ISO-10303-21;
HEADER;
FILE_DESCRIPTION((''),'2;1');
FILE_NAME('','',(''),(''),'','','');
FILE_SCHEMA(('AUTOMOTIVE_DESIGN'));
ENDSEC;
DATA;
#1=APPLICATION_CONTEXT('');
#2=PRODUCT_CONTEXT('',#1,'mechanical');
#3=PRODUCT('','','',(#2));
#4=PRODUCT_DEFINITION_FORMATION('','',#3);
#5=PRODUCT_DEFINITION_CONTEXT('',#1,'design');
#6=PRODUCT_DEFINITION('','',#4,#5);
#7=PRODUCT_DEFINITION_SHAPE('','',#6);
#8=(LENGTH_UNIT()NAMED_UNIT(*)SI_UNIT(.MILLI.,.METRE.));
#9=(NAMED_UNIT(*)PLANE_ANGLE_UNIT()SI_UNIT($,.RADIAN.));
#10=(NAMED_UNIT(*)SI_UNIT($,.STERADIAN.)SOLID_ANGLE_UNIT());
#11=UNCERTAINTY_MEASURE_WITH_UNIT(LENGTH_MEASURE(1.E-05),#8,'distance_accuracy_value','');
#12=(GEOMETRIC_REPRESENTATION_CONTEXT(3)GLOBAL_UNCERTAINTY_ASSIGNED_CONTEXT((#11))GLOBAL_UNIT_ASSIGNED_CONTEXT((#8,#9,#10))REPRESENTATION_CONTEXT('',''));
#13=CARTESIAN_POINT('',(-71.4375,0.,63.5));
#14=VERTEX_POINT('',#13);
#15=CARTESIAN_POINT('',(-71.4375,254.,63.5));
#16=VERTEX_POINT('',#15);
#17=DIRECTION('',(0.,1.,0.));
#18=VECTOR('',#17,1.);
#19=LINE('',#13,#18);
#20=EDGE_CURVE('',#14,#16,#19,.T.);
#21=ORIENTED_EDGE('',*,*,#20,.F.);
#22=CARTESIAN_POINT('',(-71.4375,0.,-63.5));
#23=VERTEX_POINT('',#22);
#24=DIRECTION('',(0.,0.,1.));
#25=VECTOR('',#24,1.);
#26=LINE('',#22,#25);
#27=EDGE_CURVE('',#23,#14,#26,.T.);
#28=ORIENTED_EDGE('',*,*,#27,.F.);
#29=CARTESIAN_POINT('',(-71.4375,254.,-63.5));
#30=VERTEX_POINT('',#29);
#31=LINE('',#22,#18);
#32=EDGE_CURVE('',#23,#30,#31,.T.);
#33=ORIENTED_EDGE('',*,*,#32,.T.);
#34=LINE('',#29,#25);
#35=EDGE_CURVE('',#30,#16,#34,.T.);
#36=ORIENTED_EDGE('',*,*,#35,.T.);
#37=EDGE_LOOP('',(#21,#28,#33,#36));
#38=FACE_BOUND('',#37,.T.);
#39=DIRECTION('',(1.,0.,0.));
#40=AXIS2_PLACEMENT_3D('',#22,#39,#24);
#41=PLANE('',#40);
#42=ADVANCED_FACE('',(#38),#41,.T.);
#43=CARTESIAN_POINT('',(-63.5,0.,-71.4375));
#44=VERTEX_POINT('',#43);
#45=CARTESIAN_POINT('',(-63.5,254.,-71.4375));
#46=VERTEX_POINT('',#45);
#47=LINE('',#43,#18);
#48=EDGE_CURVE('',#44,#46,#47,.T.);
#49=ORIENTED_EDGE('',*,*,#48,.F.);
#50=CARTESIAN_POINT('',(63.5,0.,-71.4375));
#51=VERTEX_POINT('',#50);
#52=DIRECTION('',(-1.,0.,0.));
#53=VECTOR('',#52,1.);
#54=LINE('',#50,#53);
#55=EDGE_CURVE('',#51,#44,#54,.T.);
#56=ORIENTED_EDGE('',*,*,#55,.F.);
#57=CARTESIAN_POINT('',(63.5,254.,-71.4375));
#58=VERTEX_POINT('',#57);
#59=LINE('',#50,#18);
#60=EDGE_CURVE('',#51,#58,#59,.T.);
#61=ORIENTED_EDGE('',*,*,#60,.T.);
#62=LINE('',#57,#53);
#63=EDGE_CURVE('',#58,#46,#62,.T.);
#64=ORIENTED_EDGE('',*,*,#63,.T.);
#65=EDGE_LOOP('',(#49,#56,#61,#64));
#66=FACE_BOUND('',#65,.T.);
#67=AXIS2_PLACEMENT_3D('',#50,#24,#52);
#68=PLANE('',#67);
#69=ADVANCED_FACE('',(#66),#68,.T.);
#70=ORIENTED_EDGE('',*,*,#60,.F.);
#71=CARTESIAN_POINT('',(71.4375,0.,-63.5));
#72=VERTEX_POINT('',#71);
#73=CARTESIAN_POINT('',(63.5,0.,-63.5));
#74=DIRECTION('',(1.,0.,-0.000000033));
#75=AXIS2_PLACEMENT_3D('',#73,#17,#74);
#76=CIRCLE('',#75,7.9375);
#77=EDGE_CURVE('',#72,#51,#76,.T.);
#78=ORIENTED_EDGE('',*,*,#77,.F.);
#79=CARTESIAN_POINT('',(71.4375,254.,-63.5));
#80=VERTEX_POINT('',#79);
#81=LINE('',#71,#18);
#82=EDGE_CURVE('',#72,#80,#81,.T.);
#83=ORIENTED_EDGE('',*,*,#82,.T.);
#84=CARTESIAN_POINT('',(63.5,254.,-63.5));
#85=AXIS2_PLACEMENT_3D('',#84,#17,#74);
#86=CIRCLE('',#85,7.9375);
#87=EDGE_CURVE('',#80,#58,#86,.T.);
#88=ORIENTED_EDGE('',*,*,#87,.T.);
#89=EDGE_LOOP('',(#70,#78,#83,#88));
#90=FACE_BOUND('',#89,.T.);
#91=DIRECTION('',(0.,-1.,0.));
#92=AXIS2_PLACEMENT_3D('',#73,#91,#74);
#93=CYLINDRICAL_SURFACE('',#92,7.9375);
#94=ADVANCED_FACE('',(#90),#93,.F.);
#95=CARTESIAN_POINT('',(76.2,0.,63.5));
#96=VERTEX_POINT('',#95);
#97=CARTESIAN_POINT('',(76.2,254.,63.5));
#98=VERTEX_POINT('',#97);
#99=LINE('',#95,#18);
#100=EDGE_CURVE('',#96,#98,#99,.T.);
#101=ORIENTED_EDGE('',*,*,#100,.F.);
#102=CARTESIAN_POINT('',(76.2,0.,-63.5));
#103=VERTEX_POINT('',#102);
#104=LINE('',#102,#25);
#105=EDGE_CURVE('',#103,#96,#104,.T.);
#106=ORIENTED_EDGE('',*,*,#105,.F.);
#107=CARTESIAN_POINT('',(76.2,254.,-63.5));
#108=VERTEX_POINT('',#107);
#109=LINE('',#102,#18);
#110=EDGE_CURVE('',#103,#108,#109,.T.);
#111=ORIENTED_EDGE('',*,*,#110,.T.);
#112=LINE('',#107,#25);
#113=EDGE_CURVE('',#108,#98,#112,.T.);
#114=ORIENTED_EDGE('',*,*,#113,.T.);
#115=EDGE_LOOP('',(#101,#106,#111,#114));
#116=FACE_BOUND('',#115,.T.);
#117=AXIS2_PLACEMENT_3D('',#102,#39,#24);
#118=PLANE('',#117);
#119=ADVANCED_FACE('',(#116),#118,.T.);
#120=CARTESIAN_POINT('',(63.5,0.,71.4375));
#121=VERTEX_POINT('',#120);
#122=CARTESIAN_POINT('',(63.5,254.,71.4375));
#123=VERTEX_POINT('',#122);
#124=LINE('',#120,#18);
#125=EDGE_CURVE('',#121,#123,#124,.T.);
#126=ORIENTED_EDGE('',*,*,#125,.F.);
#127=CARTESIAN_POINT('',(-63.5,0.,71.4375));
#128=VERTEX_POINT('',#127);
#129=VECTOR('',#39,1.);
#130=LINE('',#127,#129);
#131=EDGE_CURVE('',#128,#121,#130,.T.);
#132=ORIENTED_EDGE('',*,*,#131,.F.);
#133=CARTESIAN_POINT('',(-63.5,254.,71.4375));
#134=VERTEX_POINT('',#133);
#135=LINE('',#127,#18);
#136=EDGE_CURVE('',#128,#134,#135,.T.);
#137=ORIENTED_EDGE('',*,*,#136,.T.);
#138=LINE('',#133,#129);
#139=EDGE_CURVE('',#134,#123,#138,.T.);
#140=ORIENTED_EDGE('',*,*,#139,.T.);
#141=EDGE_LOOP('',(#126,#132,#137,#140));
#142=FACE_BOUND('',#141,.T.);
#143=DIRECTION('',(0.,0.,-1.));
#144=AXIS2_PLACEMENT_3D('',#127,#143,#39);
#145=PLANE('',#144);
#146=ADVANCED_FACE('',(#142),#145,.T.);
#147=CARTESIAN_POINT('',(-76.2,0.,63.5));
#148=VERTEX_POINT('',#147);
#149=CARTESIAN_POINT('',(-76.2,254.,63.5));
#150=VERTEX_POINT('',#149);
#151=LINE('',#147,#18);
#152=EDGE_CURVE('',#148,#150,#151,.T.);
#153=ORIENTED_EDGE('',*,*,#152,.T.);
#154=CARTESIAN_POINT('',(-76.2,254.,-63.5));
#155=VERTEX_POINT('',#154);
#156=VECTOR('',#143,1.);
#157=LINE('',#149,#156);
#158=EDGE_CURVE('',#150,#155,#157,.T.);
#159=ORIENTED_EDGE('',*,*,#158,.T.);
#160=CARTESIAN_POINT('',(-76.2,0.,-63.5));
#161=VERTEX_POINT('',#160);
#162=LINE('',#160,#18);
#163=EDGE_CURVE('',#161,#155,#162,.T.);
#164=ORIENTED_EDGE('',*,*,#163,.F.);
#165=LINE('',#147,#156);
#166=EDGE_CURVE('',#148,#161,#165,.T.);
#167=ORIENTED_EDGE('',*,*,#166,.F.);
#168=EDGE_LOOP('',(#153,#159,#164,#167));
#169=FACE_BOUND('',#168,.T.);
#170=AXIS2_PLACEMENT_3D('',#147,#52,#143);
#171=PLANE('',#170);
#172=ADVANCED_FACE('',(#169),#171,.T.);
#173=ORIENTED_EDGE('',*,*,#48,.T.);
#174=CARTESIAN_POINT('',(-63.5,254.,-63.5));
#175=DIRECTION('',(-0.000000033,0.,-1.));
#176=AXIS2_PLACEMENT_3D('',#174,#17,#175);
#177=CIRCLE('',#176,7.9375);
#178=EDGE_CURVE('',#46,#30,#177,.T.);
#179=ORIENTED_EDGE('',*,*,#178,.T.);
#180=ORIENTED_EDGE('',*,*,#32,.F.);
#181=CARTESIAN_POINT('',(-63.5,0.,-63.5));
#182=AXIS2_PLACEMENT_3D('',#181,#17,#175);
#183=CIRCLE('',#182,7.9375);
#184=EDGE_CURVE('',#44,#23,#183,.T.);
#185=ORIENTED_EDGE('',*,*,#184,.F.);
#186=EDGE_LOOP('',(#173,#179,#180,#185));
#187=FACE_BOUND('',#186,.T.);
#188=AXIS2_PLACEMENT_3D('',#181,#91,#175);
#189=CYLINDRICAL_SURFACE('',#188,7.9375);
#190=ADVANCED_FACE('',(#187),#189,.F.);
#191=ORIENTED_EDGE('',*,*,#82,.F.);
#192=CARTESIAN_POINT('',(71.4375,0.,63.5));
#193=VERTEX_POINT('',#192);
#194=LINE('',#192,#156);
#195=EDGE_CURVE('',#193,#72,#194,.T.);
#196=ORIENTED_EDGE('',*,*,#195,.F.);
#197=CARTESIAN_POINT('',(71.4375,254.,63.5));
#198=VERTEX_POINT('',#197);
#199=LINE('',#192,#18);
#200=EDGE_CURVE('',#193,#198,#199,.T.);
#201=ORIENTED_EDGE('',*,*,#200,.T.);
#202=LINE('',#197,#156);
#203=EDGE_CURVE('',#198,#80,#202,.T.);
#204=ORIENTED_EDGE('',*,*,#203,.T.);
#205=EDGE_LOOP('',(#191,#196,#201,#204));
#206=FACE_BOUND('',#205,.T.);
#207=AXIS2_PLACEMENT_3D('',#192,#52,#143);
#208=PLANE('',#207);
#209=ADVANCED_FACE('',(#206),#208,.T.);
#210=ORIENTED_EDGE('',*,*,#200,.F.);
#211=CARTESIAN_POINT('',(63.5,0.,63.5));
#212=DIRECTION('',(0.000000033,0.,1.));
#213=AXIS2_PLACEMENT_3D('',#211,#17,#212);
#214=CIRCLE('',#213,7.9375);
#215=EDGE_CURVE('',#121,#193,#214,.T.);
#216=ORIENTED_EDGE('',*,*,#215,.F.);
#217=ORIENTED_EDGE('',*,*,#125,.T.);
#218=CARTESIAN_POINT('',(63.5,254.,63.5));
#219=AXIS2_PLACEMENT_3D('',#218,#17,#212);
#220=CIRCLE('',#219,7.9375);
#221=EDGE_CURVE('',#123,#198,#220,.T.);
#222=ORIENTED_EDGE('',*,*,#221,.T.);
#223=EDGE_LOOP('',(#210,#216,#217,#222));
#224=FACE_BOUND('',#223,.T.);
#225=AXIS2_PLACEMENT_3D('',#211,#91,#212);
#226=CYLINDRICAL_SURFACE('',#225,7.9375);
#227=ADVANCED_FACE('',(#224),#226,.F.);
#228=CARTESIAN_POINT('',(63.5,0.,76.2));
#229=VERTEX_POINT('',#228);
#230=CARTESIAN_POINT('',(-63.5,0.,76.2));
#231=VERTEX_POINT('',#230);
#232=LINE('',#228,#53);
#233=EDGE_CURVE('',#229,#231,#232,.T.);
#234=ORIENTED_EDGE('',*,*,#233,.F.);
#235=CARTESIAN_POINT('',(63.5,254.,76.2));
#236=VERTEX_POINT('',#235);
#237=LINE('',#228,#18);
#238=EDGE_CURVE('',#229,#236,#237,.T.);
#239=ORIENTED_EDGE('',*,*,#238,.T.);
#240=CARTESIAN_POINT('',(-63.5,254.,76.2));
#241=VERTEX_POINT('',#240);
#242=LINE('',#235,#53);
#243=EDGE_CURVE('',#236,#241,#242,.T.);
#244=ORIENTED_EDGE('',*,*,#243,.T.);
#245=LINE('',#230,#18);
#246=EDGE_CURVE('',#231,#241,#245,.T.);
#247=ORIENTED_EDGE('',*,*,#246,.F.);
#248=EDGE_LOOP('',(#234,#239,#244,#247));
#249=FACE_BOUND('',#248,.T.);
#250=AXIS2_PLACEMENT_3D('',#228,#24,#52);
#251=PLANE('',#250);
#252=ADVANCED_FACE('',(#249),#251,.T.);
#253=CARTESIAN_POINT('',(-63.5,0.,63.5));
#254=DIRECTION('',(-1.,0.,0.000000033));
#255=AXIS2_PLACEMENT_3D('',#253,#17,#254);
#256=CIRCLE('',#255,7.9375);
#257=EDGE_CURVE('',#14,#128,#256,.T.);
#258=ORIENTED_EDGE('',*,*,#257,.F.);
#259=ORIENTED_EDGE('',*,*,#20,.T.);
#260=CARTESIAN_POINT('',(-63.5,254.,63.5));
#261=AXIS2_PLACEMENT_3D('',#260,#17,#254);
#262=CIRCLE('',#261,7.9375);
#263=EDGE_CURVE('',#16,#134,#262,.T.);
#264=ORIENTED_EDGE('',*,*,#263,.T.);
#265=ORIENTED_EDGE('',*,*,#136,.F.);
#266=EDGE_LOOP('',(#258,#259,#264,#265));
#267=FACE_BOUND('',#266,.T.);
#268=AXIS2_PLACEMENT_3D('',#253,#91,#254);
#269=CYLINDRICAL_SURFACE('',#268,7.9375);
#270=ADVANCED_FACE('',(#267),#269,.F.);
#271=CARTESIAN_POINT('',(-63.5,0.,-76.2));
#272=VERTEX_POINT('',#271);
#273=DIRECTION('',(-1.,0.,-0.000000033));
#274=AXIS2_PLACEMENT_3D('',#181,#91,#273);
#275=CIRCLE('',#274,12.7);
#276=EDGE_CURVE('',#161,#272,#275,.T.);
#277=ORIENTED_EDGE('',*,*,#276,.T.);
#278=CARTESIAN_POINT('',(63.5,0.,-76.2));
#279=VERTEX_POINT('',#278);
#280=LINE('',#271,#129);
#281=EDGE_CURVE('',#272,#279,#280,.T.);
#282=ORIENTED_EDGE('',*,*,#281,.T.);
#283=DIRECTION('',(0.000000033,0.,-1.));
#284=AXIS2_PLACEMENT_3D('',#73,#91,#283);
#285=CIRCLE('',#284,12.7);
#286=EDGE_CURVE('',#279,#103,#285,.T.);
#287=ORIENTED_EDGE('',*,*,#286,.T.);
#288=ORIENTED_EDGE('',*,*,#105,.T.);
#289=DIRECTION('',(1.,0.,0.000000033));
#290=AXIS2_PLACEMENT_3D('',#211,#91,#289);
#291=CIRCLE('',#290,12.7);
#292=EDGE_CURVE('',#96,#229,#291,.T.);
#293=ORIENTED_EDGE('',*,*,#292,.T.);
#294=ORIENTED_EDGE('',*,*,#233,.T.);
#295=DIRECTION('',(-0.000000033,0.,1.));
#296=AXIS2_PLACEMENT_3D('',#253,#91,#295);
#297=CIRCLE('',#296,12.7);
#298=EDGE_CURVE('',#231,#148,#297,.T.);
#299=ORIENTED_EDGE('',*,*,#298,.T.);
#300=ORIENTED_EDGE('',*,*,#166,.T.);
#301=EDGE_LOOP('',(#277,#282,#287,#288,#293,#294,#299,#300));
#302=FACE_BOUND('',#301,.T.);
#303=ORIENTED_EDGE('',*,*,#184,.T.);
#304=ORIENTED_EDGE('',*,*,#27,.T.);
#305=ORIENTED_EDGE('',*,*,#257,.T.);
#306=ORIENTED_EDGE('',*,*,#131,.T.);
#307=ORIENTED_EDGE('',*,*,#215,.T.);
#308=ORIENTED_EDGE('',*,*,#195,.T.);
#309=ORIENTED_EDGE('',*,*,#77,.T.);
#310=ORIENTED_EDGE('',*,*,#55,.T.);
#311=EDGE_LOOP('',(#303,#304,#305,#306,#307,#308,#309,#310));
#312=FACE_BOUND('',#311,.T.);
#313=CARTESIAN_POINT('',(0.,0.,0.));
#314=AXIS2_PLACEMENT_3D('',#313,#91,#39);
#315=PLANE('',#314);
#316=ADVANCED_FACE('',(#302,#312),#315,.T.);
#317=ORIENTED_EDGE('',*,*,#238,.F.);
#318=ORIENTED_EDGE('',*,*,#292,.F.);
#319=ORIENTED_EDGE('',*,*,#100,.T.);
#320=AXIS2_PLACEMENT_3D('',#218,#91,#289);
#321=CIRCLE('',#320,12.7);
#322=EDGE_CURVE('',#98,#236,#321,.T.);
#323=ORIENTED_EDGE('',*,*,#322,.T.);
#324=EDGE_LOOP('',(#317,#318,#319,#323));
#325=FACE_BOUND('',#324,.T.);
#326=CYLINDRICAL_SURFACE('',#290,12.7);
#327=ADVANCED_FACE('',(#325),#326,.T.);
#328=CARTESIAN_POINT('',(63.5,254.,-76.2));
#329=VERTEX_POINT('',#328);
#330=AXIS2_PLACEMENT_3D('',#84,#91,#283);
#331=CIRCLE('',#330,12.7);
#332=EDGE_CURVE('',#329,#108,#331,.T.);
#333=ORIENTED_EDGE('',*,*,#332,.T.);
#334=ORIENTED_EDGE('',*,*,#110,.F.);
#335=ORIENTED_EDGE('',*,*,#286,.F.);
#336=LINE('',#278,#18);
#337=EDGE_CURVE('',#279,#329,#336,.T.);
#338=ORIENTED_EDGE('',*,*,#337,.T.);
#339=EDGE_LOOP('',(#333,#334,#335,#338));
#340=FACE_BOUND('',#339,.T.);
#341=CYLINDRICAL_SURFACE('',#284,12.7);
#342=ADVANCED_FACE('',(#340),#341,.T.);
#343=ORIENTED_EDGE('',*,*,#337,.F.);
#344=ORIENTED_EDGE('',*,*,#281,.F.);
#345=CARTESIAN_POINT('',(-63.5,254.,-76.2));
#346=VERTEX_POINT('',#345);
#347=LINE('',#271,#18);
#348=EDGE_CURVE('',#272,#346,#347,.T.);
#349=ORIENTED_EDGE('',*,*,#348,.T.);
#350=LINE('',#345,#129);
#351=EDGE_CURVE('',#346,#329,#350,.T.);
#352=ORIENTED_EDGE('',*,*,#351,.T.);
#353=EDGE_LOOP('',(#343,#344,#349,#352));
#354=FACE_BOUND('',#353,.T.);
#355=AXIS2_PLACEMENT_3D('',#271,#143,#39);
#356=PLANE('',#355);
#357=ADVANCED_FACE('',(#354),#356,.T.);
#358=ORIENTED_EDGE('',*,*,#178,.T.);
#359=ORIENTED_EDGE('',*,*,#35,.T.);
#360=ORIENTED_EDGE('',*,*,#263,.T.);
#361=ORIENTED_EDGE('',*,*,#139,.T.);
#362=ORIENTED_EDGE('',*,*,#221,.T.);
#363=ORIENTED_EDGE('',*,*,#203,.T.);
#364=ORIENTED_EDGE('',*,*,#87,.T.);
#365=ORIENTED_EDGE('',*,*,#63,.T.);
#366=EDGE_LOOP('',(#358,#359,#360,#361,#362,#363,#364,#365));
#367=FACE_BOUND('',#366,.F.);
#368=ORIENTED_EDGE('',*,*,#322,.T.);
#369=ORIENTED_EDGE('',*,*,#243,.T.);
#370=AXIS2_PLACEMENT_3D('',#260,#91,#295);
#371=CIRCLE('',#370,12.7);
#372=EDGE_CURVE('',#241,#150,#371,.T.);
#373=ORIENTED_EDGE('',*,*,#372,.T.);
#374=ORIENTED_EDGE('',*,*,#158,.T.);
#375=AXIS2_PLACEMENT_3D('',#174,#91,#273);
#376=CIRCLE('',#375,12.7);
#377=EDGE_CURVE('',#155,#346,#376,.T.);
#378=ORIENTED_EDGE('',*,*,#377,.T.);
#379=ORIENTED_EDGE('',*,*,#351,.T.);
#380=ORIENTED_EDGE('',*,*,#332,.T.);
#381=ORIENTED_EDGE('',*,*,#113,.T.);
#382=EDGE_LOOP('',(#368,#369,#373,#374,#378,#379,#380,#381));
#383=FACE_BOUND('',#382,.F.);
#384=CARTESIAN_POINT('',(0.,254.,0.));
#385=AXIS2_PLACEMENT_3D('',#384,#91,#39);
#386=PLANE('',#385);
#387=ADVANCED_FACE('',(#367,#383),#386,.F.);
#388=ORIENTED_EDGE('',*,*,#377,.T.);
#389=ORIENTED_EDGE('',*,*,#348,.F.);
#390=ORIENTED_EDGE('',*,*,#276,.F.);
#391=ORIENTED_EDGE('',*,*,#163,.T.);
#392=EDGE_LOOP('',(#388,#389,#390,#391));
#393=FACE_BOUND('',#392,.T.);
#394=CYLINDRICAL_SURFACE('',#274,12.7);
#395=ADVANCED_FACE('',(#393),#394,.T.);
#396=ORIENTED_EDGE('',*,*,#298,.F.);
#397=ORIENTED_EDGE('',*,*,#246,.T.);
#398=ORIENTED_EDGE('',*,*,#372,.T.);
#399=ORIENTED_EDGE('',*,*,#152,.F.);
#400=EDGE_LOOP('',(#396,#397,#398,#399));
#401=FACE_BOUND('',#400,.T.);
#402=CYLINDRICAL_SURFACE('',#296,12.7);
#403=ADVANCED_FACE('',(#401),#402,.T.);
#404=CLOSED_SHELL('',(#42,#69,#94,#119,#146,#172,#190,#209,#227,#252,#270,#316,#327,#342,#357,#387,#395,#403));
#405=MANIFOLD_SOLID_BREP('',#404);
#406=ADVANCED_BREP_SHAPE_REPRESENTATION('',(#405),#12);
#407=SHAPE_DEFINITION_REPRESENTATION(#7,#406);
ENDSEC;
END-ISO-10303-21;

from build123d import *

# Parameters (mm, degrees)
F1_DEPTH = 254


with BuildPart() as f1:
    # F0 (on Front) → F1 (new body)
    with BuildSketch(Plane.XZ):
        with BuildLine():
            ThreePointArc((-76.2, -63.5), (-72.480256, -72.480256), (-63.5, -76.2))
            Line((-63.5, -76.2), (63.5, -76.2))
            ThreePointArc((63.5, -76.2), (72.480256, -72.480256), (76.2, -63.5))
            Line((76.2, -63.5), (76.2, 63.5))
            ThreePointArc((76.2, 63.5), (72.480256, 72.480256), (63.5, 76.2))
            Line((63.5, 76.2), (-63.5, 76.2))
            ThreePointArc((-63.5, 76.2), (-72.480256, 72.480256), (-76.2, 63.5))
            Line((-76.2, 63.5), (-76.2, -63.5))
        make_face()
        with BuildLine():
            ThreePointArc((-71.4375, 63.5), (-69.11266, 69.11266), (-63.5, 71.4375))
            Line((-63.5, 71.4375), (63.5, 71.4375))
            ThreePointArc((63.5, 71.4375), (69.11266, 69.11266), (71.4375, 63.5))
            Line((71.4375, 63.5), (71.4375, -63.5))
            ThreePointArc((71.4375, -63.5), (69.11266, -69.11266), (63.5, -71.4375))
            Line((63.5, -71.4375), (-63.5, -71.4375))
            ThreePointArc((-63.5, -71.4375), (-69.11266, -69.11266), (-71.4375, -63.5))
            Line((-71.4375, -63.5), (-71.4375, 63.5))
        make_face(mode=Mode.SUBTRACT)
    extrude(amount=-F1_DEPTH)


solid = f1.part
